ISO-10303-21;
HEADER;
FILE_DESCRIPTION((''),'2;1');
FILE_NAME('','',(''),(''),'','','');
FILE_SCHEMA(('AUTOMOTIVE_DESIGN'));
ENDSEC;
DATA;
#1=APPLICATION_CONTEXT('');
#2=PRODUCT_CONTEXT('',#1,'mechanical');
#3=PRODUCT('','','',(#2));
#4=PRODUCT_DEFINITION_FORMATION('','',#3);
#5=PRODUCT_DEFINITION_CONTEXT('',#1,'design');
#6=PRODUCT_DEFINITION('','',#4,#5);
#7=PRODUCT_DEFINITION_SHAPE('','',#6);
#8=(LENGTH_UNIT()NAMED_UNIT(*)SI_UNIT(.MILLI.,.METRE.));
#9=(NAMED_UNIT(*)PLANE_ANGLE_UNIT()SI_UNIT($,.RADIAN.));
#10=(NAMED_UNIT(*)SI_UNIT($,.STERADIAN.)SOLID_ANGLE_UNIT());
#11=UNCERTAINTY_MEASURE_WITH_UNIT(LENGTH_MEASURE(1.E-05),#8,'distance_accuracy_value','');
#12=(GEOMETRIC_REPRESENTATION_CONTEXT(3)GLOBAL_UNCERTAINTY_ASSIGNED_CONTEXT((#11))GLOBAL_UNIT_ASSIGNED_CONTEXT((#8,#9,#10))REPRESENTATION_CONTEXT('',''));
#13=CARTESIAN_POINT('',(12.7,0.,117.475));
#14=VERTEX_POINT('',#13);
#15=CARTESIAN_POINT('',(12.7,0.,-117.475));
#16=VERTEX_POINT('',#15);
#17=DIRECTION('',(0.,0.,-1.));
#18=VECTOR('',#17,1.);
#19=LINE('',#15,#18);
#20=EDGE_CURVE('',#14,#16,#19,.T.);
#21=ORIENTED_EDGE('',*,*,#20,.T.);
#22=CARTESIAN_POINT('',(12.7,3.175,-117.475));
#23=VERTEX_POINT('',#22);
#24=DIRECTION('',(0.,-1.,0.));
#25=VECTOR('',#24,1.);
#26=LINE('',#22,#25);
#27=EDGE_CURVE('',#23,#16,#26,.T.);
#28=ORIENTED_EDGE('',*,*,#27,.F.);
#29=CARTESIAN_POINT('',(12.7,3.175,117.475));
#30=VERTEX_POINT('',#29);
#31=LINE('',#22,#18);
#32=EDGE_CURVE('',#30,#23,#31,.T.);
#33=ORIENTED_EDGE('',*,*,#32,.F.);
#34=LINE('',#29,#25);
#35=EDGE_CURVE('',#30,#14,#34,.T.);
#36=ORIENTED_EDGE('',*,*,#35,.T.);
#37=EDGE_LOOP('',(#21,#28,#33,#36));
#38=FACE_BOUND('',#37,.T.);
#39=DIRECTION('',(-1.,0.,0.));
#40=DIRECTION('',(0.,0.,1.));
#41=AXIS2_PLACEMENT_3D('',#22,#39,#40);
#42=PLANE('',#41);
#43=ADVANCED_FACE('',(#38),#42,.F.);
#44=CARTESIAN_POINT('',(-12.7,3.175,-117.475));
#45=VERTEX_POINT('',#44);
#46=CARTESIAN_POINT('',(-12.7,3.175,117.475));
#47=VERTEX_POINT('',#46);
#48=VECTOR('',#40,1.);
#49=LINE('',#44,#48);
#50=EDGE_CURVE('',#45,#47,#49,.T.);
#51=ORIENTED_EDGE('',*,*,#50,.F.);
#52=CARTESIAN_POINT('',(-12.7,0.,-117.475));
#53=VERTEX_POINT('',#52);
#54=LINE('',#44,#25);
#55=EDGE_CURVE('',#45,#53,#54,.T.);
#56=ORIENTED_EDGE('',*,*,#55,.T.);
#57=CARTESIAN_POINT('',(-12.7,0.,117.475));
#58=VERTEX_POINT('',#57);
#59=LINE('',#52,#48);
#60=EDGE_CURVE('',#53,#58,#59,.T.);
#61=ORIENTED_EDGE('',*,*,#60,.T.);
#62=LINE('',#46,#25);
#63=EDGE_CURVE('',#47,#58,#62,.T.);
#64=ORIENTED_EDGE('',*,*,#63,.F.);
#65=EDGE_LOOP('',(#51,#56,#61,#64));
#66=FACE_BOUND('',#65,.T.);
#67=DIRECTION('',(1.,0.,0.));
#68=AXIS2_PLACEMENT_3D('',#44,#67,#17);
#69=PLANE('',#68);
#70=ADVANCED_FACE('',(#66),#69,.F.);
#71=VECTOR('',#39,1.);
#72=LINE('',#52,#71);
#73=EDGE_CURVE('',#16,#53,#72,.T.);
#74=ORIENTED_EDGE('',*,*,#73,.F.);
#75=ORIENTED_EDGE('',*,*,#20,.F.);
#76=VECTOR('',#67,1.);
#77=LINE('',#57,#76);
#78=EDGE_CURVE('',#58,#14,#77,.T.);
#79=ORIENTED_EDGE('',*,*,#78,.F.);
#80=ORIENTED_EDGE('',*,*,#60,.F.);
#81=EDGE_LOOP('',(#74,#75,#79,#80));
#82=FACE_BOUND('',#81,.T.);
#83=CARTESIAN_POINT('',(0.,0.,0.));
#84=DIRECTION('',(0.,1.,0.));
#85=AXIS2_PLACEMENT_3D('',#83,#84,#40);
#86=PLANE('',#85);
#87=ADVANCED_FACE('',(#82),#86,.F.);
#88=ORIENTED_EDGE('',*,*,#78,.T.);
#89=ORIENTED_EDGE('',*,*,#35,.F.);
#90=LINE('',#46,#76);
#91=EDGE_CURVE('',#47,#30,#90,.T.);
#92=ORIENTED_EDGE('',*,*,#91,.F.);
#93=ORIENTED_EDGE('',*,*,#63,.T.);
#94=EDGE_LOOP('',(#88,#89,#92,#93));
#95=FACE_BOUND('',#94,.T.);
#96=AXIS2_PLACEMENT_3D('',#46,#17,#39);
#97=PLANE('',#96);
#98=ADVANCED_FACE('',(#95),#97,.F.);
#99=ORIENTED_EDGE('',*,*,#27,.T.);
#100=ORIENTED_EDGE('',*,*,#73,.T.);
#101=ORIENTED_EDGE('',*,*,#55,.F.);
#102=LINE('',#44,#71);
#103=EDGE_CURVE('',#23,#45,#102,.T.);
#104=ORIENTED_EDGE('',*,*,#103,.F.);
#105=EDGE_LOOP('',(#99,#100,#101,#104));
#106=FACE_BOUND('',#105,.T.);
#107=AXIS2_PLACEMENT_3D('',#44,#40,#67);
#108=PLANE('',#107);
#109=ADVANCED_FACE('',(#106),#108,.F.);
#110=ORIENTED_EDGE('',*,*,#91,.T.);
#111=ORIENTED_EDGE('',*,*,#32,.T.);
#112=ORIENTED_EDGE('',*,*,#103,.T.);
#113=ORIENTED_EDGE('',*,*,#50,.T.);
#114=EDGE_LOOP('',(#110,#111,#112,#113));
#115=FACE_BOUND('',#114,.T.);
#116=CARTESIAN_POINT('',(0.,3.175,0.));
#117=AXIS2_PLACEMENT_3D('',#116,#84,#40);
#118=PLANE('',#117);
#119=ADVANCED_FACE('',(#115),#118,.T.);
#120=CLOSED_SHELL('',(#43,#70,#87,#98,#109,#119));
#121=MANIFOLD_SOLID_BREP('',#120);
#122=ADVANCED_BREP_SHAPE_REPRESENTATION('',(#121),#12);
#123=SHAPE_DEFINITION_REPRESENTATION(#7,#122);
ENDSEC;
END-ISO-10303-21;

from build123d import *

# Parameters (mm, degrees)
SKETCH1_W           = 25.4
SKETCH1_H           = 234.95
BOSS_EXTRUDE1_DEPTH = 3.175


with BuildPart() as part:
    # Sketch1 → Boss-Extrude1 (new body)
    with BuildSketch(Plane(origin=(0, 0, 0), x_dir=(1, 0, 0), z_dir=(0, 1, 0))):
        Rectangle(SKETCH1_W, SKETCH1_H)
    extrude(amount=BOSS_EXTRUDE1_DEPTH)


solid = part.part
